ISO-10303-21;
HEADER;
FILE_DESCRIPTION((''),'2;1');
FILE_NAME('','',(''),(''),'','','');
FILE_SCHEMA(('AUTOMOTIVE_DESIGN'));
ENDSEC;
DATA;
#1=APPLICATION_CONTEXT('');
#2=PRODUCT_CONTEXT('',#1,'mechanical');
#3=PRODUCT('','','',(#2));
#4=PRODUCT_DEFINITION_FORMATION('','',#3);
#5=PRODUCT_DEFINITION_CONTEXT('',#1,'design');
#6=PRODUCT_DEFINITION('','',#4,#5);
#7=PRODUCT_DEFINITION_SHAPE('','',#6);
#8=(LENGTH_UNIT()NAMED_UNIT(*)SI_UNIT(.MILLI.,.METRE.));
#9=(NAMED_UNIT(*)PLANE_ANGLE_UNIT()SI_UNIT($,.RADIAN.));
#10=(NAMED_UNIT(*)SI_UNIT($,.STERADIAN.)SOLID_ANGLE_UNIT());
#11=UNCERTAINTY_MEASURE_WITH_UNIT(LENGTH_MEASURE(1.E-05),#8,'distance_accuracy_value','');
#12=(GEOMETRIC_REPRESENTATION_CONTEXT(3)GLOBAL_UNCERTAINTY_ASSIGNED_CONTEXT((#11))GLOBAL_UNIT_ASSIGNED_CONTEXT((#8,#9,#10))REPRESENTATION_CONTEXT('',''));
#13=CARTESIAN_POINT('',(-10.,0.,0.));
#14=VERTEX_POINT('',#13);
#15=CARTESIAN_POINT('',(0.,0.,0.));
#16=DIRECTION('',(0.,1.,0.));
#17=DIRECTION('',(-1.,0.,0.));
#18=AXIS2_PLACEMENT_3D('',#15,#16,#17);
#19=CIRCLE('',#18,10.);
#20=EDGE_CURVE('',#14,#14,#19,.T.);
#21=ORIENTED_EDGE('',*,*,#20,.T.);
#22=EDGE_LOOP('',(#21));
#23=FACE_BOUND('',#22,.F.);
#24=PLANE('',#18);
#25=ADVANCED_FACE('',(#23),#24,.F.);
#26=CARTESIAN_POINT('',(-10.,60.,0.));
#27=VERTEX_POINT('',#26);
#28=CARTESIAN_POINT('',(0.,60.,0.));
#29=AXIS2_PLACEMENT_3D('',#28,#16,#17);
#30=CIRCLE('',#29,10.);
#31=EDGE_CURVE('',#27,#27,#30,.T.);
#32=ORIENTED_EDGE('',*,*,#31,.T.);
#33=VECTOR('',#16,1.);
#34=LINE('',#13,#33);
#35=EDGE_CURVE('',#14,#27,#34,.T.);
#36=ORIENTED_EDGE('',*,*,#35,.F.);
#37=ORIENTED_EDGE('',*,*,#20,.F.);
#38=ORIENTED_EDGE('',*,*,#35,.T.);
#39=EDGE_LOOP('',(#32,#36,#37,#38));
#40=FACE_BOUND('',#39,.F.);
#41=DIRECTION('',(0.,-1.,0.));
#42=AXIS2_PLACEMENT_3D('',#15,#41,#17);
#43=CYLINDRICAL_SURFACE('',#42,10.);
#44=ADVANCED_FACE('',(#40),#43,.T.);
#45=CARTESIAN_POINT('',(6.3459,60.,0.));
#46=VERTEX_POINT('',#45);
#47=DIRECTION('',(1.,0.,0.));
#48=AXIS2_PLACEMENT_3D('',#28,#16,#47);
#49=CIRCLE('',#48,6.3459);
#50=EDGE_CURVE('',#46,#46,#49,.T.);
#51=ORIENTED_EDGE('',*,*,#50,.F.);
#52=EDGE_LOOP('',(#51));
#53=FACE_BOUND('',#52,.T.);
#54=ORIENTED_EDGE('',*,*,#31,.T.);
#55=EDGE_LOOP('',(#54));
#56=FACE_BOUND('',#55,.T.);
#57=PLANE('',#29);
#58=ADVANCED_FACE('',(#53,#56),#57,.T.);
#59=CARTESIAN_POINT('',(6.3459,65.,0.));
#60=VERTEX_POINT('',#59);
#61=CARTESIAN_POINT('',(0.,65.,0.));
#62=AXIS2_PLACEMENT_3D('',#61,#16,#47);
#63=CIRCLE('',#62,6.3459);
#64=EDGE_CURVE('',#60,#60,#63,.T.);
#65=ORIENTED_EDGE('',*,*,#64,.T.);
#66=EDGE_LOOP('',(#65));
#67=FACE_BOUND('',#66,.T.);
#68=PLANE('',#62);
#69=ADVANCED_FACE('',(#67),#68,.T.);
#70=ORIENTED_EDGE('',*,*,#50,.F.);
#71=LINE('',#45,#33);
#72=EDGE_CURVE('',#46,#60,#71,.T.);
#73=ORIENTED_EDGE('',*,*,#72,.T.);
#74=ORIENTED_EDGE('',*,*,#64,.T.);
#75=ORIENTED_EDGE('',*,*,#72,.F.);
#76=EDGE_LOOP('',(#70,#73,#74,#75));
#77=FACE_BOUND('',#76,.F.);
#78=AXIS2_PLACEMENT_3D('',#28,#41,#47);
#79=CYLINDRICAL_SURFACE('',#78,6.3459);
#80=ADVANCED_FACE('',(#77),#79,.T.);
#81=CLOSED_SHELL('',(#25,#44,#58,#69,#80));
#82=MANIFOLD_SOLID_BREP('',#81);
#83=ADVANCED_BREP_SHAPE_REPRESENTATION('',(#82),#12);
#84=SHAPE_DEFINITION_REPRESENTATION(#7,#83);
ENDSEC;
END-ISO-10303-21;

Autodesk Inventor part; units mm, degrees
ref_plane "YZ Plane" through (0, 0, 0) normal (1, 0, 0) x (0, 1, 0)
ref_plane "XZ Plane" through (0, 0, 0) normal (0, 1, 0) x (-1, 0, 0)
ref_plane "XY Plane" through (0, 0, 0) normal (0, 0, 1) x (1, 0, 0)
sketch "Sketch1" plane through (0, 0, 0) normal (0, 1, 0) x (-1, 0, 0)
  circle A0 centre (0, 0) radius 10
  dimension "d0" = 20
extrude "Extrusion1" add sketch "Sketch1" along normal blind 60
sketch "Sketch2" plane through (0, 60, 0) normal (0, 1, 0) x (1, 0, 0)
  circle A0 centre (0, 0) radius 6.3459
extrude "Extrusion2" add sketch "Sketch2" along normal blind 5
sketch "Sketch3" plane through (0, 65, 0) normal (0, 1, 0) x (1, 0, 0)
  point P0 (0, 0)
properties part number "apoyo ventilador"
